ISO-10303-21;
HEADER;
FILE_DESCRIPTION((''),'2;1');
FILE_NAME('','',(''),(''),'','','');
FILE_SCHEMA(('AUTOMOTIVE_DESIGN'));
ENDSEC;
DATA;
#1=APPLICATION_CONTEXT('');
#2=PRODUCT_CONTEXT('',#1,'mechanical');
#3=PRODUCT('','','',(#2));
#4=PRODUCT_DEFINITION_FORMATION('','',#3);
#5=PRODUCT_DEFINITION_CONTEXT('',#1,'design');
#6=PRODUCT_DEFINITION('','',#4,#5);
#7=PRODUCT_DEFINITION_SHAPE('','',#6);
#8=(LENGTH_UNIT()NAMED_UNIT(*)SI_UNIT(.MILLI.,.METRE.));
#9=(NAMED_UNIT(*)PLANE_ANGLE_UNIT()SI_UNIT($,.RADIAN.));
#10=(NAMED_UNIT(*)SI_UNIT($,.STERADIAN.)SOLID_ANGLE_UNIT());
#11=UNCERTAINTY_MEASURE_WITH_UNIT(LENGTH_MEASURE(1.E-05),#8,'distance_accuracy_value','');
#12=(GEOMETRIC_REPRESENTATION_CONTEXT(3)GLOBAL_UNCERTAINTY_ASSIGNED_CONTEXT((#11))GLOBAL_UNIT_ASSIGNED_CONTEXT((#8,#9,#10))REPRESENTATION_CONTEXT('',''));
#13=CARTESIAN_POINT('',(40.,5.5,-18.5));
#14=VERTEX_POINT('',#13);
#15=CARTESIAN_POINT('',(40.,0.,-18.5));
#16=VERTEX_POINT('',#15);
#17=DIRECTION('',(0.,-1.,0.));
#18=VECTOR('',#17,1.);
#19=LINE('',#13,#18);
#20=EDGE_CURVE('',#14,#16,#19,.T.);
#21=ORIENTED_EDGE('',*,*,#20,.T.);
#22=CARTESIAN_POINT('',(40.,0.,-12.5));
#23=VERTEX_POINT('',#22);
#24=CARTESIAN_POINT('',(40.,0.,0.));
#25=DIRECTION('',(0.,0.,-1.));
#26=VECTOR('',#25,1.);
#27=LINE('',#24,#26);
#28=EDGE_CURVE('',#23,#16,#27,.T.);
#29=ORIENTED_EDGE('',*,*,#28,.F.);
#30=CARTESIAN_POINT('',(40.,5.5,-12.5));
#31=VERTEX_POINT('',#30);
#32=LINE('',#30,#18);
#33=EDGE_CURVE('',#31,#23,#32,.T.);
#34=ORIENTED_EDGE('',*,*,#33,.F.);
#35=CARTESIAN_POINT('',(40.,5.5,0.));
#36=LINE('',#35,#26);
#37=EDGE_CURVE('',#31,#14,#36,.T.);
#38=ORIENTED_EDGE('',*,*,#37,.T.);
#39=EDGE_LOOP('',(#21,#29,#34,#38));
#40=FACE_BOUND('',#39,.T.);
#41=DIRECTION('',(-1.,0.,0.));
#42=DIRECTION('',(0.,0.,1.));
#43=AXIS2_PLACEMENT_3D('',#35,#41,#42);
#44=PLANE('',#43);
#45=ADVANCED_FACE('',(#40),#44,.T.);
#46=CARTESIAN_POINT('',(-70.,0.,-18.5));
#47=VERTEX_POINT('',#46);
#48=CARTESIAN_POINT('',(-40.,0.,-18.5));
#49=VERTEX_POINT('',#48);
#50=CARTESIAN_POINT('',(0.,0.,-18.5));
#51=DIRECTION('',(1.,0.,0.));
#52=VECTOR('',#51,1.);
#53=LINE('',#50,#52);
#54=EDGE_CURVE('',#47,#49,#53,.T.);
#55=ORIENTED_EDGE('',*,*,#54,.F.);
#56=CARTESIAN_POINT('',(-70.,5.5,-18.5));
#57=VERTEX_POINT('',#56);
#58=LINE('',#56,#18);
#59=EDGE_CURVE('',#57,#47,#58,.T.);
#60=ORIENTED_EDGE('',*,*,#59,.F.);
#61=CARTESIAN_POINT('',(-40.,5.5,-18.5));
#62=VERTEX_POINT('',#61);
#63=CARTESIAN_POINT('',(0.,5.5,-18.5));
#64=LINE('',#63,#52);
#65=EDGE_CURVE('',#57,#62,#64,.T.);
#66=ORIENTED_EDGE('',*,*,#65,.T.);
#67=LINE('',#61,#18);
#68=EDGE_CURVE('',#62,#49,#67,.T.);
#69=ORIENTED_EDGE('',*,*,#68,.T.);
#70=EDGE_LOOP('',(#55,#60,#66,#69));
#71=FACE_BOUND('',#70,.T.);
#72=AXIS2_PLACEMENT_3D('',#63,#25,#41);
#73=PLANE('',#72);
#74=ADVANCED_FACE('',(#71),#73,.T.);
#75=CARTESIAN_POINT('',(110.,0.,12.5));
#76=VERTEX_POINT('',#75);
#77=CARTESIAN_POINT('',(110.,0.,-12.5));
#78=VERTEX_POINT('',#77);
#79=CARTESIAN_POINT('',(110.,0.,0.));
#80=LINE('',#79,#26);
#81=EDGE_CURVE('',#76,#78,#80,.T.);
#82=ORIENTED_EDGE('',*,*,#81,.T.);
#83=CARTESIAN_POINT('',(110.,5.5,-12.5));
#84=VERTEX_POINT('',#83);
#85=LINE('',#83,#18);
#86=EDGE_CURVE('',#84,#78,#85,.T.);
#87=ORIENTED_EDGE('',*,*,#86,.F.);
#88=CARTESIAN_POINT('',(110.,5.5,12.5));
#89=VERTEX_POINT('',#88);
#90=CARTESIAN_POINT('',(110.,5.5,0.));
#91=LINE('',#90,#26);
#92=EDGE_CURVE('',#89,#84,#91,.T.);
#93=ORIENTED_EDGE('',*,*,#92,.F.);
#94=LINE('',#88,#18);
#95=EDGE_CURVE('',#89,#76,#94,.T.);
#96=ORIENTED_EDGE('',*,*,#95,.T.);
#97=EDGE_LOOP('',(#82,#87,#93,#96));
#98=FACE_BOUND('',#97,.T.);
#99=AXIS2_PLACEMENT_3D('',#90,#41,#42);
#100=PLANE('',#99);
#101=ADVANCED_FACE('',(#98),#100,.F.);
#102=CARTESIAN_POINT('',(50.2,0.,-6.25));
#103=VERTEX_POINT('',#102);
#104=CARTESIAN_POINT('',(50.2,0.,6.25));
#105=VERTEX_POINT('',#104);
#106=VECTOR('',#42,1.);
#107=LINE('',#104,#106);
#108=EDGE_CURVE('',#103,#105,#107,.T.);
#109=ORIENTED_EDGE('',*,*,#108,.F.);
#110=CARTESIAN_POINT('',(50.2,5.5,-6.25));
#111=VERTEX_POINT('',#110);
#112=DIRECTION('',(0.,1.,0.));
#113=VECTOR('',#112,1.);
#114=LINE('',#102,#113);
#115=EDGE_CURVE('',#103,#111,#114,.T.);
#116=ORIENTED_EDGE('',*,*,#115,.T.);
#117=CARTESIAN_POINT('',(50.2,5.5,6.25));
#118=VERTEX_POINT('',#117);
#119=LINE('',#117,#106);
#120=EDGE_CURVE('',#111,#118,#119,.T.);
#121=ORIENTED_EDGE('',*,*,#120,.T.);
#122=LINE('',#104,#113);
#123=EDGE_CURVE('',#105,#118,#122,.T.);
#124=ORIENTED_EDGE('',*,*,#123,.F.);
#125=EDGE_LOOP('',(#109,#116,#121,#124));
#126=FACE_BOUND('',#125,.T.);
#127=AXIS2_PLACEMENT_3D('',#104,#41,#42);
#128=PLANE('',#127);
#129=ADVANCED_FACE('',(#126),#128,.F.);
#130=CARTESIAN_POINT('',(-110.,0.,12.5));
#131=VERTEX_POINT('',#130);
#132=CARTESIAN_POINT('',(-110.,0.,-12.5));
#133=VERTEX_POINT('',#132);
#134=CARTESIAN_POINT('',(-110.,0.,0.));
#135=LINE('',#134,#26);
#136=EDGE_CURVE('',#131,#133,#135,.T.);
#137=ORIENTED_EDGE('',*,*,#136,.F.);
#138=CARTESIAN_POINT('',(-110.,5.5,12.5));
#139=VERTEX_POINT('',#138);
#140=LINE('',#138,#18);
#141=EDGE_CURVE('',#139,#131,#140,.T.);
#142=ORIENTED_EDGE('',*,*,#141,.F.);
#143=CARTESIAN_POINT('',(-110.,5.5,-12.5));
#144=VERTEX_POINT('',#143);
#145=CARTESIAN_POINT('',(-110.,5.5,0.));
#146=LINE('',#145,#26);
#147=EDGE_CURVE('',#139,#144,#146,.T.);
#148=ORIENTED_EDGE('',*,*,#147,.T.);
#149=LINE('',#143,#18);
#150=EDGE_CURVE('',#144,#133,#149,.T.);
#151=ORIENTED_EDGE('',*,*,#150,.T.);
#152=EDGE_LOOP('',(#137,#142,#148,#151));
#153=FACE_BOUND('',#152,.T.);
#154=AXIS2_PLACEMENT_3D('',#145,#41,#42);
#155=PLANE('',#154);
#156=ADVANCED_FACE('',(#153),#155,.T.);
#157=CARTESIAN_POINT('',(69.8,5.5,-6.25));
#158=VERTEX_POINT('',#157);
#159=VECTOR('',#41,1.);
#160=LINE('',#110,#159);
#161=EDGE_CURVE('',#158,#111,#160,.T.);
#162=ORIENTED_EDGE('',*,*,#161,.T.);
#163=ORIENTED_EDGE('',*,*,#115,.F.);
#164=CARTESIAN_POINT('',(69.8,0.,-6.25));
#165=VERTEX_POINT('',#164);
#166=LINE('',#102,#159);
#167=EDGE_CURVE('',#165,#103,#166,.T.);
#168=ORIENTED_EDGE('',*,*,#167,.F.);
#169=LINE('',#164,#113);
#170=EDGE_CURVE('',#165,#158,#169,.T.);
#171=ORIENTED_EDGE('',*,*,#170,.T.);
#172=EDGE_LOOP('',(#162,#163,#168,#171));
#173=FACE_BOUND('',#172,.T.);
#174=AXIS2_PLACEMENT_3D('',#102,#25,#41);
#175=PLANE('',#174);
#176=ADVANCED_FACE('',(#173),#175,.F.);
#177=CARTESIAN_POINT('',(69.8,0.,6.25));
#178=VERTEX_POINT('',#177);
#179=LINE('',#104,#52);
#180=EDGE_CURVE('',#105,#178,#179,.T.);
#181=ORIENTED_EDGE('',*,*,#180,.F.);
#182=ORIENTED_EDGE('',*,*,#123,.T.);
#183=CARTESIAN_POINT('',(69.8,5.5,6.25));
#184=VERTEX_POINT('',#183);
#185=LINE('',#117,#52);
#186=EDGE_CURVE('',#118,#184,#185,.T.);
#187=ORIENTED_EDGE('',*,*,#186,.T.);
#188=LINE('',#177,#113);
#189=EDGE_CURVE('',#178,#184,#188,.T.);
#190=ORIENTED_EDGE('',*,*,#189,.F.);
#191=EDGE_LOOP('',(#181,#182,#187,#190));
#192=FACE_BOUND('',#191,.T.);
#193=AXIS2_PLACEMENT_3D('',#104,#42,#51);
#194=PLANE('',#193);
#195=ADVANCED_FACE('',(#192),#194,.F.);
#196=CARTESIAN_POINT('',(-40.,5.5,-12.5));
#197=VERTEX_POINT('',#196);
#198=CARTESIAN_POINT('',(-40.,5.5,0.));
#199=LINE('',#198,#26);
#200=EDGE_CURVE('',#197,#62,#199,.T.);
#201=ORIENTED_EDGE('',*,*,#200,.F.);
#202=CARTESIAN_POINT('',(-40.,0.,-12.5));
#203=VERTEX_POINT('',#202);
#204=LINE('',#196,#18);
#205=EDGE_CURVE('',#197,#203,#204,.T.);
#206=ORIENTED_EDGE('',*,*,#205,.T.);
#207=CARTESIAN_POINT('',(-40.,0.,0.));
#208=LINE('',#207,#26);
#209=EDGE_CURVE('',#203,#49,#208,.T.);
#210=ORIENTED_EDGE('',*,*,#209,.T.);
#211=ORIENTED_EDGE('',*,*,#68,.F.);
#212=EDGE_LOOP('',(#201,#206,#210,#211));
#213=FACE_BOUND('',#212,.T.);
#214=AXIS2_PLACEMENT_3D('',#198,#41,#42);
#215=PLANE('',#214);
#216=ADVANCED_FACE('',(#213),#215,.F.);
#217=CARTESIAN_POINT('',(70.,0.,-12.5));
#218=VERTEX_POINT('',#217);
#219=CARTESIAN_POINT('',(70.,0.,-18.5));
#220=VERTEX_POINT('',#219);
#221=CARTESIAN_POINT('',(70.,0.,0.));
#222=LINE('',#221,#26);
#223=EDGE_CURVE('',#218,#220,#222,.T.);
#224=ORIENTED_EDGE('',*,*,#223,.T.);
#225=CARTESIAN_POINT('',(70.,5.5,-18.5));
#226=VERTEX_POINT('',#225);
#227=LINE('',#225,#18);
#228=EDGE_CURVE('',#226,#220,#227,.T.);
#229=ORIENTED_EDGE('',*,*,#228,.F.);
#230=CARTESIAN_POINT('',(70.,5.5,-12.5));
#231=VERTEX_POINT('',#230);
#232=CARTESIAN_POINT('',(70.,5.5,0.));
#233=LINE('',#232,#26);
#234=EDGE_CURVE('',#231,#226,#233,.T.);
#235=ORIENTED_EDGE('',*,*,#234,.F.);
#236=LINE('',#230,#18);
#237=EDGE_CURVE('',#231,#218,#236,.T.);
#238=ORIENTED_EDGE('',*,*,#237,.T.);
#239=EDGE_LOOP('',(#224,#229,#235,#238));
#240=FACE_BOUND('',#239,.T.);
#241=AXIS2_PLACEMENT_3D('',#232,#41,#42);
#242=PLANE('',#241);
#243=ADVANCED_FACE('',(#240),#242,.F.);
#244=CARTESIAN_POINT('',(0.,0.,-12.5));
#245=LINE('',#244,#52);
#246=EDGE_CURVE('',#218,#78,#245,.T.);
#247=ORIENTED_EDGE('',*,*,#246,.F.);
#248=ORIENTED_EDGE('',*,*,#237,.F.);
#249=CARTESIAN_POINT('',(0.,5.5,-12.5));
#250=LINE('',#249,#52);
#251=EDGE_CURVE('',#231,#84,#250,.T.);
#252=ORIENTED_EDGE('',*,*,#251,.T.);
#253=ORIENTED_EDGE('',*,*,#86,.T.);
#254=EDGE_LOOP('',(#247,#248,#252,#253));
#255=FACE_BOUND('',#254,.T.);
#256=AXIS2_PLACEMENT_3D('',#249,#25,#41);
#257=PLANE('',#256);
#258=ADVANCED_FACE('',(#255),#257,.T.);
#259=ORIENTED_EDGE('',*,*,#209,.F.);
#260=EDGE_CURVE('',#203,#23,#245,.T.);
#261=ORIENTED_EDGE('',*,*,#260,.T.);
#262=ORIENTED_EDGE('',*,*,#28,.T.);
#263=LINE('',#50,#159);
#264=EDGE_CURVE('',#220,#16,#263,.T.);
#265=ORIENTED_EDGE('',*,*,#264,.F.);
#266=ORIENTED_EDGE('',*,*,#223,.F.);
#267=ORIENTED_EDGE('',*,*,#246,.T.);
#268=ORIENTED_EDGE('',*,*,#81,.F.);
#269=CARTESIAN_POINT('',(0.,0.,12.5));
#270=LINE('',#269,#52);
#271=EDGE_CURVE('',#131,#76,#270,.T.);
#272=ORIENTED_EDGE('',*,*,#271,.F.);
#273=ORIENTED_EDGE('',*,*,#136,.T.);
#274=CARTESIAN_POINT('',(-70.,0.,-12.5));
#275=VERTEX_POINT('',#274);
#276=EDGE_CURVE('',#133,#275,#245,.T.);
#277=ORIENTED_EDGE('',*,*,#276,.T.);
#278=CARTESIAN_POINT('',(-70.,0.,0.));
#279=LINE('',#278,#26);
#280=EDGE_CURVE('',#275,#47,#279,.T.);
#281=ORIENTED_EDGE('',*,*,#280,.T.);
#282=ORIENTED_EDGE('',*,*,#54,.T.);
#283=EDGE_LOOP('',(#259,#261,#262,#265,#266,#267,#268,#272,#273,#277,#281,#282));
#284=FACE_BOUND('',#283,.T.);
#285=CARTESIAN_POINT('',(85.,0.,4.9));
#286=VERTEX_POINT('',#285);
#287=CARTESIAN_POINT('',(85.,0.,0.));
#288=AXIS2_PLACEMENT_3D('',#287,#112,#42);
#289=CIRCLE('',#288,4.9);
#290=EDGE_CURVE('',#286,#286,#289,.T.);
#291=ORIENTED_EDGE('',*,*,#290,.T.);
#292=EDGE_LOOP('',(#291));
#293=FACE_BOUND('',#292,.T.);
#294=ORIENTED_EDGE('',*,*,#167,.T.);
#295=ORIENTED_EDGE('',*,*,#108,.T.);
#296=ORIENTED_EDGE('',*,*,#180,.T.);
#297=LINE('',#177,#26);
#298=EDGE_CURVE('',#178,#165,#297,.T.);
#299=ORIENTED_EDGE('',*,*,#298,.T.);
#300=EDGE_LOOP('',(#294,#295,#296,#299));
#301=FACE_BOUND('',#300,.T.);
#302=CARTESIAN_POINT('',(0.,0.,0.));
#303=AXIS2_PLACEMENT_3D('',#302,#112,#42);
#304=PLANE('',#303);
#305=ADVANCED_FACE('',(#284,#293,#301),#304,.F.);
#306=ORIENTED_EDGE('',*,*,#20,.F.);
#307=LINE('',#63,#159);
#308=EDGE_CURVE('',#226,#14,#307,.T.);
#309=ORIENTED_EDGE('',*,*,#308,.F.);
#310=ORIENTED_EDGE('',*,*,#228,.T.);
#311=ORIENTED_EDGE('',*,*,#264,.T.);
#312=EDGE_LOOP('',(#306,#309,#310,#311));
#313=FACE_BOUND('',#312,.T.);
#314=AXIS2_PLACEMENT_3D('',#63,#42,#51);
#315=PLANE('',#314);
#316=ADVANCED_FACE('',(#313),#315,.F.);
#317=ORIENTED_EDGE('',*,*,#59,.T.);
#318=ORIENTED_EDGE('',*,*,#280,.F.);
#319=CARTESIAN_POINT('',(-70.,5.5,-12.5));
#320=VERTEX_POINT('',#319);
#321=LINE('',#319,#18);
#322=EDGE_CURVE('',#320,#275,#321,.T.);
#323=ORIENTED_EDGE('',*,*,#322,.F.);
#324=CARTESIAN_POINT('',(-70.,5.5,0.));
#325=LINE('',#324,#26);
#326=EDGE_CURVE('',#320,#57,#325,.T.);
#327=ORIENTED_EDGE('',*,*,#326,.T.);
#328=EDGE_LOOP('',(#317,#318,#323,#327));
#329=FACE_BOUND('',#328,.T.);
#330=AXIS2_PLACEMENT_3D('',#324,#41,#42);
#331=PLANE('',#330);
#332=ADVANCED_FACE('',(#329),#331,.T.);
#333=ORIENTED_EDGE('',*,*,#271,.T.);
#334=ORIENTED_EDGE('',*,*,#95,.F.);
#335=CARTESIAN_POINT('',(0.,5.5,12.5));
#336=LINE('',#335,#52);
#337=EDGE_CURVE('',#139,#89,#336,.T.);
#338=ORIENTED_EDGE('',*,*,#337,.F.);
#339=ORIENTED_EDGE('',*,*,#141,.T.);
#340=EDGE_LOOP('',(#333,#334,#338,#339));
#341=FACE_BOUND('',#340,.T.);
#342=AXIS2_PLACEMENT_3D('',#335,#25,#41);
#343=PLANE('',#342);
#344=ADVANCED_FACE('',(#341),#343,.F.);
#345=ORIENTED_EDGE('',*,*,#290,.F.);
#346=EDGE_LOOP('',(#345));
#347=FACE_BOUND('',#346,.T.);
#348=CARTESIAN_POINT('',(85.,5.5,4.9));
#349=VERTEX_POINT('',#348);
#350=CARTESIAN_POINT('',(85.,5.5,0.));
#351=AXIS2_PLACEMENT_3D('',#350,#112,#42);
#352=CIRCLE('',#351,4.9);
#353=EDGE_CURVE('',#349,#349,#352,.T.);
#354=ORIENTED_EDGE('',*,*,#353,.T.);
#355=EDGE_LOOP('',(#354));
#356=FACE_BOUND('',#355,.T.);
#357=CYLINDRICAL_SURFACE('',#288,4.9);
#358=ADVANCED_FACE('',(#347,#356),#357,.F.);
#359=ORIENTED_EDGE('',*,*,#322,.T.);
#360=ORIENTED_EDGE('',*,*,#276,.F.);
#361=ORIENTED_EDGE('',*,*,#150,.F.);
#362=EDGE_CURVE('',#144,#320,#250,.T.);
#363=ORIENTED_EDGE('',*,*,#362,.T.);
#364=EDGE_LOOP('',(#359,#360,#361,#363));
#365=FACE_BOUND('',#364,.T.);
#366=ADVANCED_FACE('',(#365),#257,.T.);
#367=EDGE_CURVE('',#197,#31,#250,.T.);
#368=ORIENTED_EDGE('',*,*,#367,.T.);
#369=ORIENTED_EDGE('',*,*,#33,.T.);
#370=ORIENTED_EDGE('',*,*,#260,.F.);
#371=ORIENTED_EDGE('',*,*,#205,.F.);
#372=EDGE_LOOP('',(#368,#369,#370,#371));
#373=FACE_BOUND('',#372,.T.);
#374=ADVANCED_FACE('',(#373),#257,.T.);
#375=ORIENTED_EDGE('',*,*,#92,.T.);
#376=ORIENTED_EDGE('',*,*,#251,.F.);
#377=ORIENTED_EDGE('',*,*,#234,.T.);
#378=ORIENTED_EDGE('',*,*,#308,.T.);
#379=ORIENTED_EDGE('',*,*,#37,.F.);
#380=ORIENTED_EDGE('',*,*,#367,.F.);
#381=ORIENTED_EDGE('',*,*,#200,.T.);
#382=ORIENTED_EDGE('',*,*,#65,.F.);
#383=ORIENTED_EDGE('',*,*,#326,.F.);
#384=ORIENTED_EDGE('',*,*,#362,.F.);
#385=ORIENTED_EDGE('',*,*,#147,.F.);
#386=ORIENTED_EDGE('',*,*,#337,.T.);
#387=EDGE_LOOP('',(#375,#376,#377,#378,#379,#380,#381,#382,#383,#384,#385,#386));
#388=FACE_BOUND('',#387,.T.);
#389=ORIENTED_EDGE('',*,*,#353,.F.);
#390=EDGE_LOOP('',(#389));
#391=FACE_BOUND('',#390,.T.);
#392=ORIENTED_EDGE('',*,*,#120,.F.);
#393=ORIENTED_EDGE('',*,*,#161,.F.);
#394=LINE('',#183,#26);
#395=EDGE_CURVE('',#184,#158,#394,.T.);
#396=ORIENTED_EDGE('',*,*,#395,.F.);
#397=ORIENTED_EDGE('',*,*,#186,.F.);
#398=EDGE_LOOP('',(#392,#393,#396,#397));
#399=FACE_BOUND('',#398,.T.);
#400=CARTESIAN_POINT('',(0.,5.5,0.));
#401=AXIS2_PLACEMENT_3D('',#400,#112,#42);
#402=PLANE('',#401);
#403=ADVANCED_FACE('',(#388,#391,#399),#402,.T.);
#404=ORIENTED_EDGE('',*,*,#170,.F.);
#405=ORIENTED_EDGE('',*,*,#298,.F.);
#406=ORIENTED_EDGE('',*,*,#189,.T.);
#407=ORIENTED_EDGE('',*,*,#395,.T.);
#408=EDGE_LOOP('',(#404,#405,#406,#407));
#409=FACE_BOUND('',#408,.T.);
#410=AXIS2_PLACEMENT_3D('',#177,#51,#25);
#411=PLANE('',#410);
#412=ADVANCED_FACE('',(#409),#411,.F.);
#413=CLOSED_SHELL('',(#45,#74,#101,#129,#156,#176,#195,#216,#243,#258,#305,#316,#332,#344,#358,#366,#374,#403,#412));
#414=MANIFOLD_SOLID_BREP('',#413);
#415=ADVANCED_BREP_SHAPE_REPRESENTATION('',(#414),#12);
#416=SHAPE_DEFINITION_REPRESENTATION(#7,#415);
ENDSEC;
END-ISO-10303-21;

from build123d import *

# Parameters (mm, degrees)
SKETCH1_W           = 30
SKETCH1_H           = 6
SKETCH1_W_2         = 220
SKETCH1_H_2         = 25
BOSS_EXTRUDE1_DEPTH = 5.5
SKETCH2_R           = 4.9
SKETCH2_W           = 19.6
SKETCH2_H           = 12.5
CUT_EXTRUDE1_DEPTH  = 112.680347421


with BuildPart() as part:
    # Sketch1 → Boss-Extrude1 (new body)
    with BuildSketch(Plane(origin=(0, 0, 0), x_dir=(1, 0, 0), z_dir=(0, 1, 0))):
        with Locations((-55, 15.5)):
            Rectangle(SKETCH1_W, SKETCH1_H)
        Rectangle(SKETCH1_W_2, SKETCH1_H_2)
        with Locations((55, 15.5)):
            Rectangle(SKETCH1_W, SKETCH1_H)
    extrude(amount=BOSS_EXTRUDE1_DEPTH)

    # Sketch2 → Cut-Extrude1 (cut, through all)
    with BuildSketch(Plane(origin=(0, 5.5, 0), x_dir=(1, 0, 0), z_dir=(0, 1, 0))):
        with Locations(Location((85, 0, 0), (0, 0, 270))):
            Circle(SKETCH2_R)
        with Locations((60, 0)):
            Rectangle(SKETCH2_W, SKETCH2_H)
    extrude(amount=-CUT_EXTRUDE1_DEPTH, mode=Mode.SUBTRACT)


solid = part.part
